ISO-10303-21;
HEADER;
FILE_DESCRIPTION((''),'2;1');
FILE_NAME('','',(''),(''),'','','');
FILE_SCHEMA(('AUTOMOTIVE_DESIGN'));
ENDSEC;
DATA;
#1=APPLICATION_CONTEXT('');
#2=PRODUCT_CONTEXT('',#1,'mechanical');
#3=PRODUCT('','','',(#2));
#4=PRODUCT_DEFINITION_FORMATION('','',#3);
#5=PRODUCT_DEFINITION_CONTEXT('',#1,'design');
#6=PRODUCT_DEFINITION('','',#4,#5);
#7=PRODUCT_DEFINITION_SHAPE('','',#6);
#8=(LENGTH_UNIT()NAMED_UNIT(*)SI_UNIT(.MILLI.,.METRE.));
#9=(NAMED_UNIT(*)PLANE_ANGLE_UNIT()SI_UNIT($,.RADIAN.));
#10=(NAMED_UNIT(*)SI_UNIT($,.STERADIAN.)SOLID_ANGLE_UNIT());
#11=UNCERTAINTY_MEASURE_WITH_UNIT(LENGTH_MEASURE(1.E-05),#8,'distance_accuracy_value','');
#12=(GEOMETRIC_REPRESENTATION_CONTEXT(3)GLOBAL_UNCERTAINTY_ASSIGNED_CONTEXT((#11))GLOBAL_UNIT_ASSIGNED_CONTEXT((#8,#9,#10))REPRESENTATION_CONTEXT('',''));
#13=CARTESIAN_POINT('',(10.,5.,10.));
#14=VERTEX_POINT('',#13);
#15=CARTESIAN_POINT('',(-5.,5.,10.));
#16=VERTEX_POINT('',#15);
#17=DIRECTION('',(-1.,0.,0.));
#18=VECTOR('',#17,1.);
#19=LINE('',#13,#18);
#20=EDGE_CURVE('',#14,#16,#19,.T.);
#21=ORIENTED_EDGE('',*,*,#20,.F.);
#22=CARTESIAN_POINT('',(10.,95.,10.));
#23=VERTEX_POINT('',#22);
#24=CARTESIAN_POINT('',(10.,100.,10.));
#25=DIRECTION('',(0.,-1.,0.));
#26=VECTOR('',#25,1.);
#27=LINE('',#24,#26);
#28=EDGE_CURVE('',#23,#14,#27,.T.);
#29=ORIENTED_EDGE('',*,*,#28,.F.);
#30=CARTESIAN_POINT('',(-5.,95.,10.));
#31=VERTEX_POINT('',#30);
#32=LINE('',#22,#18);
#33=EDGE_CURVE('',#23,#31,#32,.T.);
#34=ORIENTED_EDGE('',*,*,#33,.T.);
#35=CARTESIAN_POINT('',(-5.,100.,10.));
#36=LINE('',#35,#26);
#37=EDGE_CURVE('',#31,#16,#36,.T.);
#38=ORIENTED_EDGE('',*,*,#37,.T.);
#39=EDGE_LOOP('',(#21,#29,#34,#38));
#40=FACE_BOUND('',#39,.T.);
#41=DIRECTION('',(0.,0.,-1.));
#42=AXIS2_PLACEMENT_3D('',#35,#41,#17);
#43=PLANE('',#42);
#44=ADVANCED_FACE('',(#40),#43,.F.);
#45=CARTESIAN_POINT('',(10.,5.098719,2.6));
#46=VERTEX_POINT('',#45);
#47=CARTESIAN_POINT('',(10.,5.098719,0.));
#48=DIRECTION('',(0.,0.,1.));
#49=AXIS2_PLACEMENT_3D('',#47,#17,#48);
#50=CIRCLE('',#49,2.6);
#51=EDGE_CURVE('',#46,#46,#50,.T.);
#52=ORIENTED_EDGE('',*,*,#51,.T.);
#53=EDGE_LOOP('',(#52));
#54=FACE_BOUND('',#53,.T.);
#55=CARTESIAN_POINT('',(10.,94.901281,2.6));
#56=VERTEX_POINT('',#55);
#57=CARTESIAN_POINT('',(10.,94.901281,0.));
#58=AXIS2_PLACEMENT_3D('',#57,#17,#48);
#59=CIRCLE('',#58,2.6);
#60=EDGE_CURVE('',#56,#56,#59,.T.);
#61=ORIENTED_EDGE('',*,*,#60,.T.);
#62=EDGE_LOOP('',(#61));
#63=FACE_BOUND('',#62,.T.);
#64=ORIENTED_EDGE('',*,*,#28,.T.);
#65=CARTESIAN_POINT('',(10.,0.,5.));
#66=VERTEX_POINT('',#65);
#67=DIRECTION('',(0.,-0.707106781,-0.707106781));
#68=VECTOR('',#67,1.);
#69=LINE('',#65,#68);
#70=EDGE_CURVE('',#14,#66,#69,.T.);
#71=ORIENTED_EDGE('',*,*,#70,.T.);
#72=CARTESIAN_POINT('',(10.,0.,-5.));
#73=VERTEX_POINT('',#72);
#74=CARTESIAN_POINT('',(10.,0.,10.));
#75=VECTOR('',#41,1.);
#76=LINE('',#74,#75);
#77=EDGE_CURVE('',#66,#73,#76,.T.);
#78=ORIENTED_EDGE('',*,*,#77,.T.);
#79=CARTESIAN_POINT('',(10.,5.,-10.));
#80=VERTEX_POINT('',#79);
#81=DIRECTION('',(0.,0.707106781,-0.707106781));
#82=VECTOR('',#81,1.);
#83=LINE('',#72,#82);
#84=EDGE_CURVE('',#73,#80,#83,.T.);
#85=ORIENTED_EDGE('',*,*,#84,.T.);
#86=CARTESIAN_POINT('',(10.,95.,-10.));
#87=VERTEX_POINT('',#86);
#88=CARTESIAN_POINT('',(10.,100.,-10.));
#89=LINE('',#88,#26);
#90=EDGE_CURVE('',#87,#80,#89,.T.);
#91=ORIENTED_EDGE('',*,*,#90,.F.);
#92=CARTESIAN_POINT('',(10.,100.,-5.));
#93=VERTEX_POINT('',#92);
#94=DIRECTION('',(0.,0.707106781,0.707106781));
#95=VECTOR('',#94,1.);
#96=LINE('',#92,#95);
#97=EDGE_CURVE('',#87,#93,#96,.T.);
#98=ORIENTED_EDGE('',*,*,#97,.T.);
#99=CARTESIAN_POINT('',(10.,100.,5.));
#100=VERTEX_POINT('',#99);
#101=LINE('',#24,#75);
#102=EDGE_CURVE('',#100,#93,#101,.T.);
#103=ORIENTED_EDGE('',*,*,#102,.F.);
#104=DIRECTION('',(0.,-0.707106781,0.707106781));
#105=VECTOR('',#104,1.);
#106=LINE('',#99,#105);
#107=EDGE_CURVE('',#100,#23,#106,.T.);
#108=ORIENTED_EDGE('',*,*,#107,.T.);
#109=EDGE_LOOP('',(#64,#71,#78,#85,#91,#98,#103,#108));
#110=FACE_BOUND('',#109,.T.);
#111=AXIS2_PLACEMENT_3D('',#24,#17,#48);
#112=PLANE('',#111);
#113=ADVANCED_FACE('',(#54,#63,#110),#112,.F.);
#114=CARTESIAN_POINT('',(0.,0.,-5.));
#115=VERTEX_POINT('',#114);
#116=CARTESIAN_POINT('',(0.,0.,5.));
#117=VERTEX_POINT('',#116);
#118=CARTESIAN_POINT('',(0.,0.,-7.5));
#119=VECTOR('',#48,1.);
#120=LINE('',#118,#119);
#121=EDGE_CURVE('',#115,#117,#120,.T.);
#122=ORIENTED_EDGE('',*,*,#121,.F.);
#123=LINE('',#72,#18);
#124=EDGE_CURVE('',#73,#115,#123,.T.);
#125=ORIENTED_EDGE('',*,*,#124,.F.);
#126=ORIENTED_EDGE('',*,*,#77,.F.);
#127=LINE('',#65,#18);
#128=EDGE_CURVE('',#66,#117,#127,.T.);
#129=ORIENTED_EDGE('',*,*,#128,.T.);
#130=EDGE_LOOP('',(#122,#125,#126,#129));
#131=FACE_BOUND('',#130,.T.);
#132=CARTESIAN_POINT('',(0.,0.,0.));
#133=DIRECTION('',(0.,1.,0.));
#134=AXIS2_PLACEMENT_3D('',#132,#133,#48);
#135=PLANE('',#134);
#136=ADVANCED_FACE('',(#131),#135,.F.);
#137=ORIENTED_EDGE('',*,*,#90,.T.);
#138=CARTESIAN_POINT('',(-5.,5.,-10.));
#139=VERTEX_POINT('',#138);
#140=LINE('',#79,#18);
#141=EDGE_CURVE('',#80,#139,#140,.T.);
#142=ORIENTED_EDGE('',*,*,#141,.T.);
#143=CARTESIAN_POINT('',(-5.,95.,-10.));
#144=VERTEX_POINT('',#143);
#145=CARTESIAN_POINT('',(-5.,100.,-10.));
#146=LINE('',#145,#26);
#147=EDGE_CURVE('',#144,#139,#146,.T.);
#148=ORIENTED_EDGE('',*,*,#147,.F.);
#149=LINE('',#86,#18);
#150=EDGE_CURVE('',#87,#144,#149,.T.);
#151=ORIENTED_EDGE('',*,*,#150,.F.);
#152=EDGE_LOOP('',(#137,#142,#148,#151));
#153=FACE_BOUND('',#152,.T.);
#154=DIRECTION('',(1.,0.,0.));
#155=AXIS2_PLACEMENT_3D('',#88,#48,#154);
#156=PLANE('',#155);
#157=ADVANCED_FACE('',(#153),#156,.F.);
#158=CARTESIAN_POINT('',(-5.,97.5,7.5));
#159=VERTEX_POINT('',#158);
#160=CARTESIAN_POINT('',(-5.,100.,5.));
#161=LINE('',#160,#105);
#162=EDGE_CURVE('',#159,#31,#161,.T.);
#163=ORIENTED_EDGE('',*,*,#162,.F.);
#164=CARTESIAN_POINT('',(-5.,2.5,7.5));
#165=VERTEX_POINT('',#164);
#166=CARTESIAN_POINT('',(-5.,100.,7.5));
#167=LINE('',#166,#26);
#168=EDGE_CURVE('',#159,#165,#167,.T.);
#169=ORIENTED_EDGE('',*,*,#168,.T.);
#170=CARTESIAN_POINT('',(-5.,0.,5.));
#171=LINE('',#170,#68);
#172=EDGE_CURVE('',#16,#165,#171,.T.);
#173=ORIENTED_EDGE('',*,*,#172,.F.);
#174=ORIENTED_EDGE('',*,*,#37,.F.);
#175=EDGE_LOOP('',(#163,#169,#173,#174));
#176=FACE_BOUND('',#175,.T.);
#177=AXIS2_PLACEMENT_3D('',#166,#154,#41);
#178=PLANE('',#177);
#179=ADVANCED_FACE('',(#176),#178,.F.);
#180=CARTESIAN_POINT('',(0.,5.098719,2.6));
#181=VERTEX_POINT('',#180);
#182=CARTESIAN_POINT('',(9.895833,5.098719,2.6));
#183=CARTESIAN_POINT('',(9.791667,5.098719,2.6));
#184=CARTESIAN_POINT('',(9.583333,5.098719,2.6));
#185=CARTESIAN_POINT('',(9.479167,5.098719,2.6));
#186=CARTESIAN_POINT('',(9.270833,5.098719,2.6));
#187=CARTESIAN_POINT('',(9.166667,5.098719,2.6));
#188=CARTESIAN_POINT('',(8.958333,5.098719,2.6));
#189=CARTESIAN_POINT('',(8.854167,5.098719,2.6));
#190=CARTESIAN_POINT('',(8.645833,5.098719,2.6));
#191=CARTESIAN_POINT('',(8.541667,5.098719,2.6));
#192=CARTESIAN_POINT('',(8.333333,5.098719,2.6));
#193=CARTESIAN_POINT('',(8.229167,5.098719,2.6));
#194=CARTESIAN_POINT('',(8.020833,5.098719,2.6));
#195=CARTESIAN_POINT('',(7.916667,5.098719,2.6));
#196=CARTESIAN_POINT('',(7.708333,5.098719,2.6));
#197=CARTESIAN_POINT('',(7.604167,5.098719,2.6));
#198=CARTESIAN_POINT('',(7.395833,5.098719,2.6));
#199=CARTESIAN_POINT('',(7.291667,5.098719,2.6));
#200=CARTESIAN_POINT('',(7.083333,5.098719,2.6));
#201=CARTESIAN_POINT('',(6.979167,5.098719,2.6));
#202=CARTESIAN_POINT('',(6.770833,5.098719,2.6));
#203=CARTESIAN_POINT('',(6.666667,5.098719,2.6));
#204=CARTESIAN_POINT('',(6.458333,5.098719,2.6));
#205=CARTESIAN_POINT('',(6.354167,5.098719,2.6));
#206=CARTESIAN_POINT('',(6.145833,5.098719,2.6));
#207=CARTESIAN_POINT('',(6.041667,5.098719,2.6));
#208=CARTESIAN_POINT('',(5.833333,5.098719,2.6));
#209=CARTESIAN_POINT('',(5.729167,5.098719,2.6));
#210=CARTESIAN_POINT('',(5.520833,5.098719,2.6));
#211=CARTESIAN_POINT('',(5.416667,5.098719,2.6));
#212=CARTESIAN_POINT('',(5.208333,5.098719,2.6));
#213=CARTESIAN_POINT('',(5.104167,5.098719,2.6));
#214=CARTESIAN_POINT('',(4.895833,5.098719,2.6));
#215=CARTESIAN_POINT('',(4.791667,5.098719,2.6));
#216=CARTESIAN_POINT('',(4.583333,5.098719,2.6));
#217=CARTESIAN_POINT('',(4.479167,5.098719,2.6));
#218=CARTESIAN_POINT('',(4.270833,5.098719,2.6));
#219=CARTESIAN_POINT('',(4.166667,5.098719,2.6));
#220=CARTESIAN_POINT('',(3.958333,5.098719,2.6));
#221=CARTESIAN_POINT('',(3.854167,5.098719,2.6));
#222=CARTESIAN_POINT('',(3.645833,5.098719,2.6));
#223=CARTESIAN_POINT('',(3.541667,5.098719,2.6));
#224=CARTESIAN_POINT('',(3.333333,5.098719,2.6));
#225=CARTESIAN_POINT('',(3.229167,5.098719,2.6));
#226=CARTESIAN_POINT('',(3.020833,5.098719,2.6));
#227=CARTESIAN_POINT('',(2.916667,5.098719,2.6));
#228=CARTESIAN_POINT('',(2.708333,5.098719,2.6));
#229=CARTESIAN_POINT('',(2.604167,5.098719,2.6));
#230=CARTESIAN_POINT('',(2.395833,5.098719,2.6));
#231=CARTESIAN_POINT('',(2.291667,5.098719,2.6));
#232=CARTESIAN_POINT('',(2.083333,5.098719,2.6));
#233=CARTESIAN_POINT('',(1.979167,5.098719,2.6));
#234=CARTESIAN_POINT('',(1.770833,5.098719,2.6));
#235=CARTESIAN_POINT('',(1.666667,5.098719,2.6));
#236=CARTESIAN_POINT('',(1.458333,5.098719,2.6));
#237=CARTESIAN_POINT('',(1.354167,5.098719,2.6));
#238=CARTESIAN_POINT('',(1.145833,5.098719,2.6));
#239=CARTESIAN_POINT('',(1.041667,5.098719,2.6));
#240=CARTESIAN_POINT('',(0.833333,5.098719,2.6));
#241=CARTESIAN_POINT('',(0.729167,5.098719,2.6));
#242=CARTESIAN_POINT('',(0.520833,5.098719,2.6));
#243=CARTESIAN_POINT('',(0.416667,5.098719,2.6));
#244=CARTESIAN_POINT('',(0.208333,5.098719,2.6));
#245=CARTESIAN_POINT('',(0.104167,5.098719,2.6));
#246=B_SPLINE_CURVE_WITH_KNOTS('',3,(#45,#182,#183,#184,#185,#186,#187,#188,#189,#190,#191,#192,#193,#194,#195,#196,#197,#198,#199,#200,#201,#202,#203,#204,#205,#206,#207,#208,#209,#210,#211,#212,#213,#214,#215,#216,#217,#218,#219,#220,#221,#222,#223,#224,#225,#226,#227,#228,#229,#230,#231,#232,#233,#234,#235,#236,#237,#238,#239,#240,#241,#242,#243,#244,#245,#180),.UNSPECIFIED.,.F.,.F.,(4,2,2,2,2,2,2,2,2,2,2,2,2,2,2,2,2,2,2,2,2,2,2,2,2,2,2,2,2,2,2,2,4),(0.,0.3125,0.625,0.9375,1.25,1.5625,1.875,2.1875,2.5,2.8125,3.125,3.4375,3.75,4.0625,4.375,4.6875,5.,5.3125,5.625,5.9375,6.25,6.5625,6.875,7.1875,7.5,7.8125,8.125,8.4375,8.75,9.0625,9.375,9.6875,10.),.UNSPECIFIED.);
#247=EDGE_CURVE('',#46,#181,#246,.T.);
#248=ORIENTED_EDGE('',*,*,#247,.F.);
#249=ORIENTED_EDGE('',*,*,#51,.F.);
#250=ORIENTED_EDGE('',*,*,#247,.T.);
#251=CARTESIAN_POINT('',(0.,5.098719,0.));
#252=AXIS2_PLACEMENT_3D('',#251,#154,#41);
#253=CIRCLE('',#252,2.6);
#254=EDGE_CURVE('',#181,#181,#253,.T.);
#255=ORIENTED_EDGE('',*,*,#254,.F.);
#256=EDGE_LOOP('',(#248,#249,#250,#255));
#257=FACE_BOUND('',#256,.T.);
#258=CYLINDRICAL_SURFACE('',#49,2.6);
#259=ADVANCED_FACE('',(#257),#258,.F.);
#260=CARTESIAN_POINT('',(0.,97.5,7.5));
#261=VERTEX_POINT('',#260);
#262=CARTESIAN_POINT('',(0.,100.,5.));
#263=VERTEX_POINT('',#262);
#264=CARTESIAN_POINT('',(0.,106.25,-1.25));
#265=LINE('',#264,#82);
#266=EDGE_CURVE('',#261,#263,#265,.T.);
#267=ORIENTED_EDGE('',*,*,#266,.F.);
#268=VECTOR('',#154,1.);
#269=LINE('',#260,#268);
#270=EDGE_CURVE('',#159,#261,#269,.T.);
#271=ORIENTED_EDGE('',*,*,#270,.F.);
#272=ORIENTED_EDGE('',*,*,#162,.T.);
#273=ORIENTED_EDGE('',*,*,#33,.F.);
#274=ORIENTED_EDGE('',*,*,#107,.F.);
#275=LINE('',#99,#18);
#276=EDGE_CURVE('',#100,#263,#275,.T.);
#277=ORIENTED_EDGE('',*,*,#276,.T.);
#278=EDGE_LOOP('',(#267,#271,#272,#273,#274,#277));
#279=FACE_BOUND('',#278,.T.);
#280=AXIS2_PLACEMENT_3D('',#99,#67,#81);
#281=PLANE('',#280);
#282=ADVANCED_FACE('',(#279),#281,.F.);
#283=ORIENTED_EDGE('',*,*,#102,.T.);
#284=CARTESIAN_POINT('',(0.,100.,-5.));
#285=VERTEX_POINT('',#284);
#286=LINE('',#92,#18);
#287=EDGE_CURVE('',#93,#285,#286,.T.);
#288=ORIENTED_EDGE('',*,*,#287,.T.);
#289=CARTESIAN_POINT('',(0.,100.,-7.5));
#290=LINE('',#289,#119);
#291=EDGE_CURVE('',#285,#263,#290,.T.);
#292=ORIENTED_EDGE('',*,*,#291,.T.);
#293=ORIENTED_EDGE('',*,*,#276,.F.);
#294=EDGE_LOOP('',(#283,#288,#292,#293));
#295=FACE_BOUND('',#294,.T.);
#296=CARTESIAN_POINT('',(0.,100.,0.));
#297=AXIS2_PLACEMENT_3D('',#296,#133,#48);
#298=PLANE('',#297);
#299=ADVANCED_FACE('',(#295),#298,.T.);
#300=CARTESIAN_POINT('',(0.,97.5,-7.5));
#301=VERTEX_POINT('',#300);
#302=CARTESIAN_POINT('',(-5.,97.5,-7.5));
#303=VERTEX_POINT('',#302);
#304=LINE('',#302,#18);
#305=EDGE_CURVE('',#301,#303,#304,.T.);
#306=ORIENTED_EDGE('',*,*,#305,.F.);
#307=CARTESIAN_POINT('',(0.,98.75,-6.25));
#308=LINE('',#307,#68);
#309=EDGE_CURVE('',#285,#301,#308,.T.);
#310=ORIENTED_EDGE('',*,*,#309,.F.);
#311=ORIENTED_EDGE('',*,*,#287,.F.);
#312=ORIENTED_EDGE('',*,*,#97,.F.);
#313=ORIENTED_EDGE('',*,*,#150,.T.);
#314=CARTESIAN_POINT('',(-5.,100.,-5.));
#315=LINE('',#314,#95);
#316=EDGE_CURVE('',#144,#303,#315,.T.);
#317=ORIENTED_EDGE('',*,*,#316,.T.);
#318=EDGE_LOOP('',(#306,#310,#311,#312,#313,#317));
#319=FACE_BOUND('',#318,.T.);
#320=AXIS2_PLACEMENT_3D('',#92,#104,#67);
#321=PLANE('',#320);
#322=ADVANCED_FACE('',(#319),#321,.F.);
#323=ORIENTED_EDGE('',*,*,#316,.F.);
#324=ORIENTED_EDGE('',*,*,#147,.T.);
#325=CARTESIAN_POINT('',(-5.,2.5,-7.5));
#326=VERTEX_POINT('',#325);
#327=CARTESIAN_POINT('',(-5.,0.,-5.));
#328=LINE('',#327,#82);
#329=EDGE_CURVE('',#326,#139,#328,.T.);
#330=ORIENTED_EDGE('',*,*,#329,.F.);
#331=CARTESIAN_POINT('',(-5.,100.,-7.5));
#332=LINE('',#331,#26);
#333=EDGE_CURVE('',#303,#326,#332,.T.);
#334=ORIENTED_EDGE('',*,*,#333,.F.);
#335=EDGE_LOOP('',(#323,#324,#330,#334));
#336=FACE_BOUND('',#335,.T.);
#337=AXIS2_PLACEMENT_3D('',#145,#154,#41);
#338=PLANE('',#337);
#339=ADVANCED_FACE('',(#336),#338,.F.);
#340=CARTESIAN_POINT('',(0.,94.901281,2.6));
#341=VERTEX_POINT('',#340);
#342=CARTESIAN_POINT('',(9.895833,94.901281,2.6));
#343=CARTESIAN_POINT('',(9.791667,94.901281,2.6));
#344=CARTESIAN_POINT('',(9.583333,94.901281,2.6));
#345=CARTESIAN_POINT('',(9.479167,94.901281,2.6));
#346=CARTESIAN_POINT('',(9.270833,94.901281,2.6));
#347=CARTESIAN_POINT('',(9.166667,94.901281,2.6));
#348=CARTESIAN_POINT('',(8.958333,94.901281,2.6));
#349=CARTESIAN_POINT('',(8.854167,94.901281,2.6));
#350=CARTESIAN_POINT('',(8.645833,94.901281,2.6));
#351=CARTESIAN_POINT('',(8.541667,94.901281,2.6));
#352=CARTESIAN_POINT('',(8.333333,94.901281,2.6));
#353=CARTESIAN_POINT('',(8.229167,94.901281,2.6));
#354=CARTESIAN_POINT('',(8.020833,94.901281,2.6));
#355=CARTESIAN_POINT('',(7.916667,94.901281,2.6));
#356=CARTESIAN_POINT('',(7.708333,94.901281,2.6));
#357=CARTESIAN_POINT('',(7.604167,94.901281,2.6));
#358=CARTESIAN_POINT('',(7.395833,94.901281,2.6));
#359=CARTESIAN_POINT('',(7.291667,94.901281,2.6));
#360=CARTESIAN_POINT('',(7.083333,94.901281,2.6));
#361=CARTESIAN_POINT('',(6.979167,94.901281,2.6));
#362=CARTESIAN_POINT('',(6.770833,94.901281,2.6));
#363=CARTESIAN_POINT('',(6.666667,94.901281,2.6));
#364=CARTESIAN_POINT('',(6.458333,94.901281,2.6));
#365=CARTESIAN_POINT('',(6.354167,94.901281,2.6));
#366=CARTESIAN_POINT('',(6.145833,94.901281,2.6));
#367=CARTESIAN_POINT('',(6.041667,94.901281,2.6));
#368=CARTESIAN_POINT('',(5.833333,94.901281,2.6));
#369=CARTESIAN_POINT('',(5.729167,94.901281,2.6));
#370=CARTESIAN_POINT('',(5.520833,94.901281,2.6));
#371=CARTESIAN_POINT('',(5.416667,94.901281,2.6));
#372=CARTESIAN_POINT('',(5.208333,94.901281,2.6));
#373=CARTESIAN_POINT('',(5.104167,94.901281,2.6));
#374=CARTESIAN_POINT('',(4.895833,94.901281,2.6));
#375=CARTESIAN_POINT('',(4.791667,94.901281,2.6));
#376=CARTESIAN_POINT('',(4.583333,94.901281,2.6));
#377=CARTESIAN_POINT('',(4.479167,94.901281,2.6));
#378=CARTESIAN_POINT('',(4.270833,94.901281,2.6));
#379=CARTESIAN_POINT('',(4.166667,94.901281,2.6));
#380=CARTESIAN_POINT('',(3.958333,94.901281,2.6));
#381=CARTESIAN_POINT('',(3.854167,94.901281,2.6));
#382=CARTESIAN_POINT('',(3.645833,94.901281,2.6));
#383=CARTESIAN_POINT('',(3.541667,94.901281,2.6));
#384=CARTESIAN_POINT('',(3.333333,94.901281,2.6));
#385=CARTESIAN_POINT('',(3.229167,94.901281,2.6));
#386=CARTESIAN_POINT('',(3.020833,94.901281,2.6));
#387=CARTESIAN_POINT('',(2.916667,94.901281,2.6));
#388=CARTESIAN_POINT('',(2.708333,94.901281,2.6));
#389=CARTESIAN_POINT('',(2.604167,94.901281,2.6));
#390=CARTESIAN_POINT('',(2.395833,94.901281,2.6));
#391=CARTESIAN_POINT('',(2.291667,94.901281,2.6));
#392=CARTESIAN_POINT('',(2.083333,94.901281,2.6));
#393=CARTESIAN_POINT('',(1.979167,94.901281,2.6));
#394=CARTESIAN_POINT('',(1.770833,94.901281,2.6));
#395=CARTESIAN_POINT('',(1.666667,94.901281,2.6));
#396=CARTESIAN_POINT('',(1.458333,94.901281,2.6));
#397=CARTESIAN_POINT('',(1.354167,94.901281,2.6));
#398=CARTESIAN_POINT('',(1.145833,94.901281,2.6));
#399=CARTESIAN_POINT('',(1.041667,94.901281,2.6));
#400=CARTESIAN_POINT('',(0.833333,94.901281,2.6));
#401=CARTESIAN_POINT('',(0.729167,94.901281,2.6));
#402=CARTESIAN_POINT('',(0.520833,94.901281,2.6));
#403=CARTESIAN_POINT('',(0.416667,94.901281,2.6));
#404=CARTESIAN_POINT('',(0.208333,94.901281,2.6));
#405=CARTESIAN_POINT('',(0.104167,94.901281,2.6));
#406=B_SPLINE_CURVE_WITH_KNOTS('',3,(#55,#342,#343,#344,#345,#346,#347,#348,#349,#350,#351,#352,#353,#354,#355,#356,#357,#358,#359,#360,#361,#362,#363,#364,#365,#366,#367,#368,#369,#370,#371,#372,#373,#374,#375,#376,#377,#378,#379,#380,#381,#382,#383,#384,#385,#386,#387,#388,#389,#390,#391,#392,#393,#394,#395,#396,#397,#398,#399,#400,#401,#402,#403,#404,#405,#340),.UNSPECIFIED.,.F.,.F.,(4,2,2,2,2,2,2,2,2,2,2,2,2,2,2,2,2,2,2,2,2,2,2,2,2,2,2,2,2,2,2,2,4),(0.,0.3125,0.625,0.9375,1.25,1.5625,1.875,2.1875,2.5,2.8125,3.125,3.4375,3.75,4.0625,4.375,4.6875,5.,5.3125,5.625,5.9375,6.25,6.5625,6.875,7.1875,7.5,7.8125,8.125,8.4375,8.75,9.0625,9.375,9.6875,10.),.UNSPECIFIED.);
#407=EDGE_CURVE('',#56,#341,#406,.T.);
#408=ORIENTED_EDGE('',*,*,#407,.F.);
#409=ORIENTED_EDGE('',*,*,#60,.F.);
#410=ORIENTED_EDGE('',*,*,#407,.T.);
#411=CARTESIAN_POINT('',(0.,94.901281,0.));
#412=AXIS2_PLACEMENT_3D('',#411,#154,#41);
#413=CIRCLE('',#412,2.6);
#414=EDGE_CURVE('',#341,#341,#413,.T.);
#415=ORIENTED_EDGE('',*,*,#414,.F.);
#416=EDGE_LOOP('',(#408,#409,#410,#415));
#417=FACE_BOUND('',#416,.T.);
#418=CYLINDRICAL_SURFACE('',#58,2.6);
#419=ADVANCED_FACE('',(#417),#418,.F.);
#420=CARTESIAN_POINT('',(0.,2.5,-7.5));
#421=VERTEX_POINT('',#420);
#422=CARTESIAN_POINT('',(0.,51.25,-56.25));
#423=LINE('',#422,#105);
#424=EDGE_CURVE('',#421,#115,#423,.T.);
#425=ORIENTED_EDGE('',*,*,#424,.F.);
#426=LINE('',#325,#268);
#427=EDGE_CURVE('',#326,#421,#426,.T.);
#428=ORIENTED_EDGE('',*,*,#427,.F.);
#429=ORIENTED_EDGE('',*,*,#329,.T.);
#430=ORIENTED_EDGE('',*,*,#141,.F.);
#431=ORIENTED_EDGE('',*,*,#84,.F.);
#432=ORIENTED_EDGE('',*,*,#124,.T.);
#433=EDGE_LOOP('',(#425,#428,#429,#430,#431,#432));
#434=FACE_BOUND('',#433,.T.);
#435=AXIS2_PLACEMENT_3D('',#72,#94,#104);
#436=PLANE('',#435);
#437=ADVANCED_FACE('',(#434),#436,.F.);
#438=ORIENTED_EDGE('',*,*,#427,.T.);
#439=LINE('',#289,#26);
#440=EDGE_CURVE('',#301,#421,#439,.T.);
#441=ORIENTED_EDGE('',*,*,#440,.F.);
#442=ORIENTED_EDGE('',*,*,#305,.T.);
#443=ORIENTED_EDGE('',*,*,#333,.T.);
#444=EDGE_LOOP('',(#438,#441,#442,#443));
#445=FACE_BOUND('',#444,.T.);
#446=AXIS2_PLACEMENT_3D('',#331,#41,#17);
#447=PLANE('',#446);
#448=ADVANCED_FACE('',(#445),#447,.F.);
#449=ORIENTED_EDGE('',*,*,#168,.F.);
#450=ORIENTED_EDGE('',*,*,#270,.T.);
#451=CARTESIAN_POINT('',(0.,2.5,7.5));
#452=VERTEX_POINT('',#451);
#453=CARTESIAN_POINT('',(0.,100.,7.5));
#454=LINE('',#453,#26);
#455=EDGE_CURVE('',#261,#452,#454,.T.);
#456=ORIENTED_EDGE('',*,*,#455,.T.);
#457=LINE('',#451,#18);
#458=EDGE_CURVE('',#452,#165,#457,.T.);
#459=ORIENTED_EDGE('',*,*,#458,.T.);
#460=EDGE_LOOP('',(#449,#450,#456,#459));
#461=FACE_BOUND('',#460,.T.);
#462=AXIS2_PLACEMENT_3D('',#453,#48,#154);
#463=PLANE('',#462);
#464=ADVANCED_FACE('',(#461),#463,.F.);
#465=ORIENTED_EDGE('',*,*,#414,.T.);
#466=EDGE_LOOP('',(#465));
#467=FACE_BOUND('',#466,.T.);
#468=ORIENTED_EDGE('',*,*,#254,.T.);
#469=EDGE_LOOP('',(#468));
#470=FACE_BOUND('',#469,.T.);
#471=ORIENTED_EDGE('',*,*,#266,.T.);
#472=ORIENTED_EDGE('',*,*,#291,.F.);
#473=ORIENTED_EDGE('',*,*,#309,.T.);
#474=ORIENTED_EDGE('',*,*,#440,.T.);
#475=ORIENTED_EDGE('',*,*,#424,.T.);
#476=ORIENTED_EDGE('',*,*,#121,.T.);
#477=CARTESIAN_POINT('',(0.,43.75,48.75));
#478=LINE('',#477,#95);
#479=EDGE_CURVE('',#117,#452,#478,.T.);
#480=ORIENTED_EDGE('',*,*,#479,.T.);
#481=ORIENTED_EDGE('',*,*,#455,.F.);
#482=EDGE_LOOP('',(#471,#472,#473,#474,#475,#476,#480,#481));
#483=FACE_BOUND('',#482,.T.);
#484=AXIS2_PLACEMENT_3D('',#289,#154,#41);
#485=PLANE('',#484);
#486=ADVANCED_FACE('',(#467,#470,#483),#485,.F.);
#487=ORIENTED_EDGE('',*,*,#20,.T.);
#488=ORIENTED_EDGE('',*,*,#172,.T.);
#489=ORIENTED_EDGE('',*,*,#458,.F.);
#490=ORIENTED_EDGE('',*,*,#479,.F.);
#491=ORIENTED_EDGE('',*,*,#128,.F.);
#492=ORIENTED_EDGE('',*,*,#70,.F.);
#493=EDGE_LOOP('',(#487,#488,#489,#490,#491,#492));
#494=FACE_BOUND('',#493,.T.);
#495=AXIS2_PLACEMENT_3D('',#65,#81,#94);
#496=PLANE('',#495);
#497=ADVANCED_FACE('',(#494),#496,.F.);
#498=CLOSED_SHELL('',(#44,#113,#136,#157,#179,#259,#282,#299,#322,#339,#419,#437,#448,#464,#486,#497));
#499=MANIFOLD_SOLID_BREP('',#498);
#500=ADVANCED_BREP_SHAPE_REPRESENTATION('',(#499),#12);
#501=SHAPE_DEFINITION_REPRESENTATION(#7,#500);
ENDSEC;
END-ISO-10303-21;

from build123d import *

# Parameters (mm, degrees)
EXTRUDE_1_DEPTH          = 100
CUT_EXTRUDE_1_DEPTH      = 101.995049384
CUT_EXTRUDE_1_DEPTH_BACK = 101.995049384
SKETCH_2_R               = 2.6


with BuildPart() as part:
    # 草图1 → 凸台-拉伸1 (new body)
    with BuildSketch(Plane(origin=(0, 0, 0), x_dir=(1, 0, 0), z_dir=(0, 1, 0))):
        Polygon((-5, 7.5), (0, 7.5), (0, -7.5), (-5, -7.5), (-5, -10), (10, -10), (10, 10), (-5, 10), align=None)
    extrude(amount=EXTRUDE_1_DEPTH)

    # 草图2 → 切除-拉伸1 (cut, two sides: drawn at the far end of the back side and taken through both)
    with BuildSketch(Plane.ZY.offset(-CUT_EXTRUDE_1_DEPTH_BACK)):
        with Locations((0, 94.901280605)):
            Circle(SKETCH_2_R)
        with Locations((0, 5.098719395)):
            Circle(SKETCH_2_R)
        Polygon((-5, 100), (-10, 95), (-10, 100), align=None)
        Polygon((10, 100), (5, 100), (10, 95), align=None)
        Polygon((-10, 0), (-5, 0), (-10, 5), align=None)
        Polygon((10, 5), (10, 0), (5, 0), align=None)
    extrude(amount=CUT_EXTRUDE_1_DEPTH + CUT_EXTRUDE_1_DEPTH_BACK, mode=Mode.SUBTRACT)


solid = part.part
